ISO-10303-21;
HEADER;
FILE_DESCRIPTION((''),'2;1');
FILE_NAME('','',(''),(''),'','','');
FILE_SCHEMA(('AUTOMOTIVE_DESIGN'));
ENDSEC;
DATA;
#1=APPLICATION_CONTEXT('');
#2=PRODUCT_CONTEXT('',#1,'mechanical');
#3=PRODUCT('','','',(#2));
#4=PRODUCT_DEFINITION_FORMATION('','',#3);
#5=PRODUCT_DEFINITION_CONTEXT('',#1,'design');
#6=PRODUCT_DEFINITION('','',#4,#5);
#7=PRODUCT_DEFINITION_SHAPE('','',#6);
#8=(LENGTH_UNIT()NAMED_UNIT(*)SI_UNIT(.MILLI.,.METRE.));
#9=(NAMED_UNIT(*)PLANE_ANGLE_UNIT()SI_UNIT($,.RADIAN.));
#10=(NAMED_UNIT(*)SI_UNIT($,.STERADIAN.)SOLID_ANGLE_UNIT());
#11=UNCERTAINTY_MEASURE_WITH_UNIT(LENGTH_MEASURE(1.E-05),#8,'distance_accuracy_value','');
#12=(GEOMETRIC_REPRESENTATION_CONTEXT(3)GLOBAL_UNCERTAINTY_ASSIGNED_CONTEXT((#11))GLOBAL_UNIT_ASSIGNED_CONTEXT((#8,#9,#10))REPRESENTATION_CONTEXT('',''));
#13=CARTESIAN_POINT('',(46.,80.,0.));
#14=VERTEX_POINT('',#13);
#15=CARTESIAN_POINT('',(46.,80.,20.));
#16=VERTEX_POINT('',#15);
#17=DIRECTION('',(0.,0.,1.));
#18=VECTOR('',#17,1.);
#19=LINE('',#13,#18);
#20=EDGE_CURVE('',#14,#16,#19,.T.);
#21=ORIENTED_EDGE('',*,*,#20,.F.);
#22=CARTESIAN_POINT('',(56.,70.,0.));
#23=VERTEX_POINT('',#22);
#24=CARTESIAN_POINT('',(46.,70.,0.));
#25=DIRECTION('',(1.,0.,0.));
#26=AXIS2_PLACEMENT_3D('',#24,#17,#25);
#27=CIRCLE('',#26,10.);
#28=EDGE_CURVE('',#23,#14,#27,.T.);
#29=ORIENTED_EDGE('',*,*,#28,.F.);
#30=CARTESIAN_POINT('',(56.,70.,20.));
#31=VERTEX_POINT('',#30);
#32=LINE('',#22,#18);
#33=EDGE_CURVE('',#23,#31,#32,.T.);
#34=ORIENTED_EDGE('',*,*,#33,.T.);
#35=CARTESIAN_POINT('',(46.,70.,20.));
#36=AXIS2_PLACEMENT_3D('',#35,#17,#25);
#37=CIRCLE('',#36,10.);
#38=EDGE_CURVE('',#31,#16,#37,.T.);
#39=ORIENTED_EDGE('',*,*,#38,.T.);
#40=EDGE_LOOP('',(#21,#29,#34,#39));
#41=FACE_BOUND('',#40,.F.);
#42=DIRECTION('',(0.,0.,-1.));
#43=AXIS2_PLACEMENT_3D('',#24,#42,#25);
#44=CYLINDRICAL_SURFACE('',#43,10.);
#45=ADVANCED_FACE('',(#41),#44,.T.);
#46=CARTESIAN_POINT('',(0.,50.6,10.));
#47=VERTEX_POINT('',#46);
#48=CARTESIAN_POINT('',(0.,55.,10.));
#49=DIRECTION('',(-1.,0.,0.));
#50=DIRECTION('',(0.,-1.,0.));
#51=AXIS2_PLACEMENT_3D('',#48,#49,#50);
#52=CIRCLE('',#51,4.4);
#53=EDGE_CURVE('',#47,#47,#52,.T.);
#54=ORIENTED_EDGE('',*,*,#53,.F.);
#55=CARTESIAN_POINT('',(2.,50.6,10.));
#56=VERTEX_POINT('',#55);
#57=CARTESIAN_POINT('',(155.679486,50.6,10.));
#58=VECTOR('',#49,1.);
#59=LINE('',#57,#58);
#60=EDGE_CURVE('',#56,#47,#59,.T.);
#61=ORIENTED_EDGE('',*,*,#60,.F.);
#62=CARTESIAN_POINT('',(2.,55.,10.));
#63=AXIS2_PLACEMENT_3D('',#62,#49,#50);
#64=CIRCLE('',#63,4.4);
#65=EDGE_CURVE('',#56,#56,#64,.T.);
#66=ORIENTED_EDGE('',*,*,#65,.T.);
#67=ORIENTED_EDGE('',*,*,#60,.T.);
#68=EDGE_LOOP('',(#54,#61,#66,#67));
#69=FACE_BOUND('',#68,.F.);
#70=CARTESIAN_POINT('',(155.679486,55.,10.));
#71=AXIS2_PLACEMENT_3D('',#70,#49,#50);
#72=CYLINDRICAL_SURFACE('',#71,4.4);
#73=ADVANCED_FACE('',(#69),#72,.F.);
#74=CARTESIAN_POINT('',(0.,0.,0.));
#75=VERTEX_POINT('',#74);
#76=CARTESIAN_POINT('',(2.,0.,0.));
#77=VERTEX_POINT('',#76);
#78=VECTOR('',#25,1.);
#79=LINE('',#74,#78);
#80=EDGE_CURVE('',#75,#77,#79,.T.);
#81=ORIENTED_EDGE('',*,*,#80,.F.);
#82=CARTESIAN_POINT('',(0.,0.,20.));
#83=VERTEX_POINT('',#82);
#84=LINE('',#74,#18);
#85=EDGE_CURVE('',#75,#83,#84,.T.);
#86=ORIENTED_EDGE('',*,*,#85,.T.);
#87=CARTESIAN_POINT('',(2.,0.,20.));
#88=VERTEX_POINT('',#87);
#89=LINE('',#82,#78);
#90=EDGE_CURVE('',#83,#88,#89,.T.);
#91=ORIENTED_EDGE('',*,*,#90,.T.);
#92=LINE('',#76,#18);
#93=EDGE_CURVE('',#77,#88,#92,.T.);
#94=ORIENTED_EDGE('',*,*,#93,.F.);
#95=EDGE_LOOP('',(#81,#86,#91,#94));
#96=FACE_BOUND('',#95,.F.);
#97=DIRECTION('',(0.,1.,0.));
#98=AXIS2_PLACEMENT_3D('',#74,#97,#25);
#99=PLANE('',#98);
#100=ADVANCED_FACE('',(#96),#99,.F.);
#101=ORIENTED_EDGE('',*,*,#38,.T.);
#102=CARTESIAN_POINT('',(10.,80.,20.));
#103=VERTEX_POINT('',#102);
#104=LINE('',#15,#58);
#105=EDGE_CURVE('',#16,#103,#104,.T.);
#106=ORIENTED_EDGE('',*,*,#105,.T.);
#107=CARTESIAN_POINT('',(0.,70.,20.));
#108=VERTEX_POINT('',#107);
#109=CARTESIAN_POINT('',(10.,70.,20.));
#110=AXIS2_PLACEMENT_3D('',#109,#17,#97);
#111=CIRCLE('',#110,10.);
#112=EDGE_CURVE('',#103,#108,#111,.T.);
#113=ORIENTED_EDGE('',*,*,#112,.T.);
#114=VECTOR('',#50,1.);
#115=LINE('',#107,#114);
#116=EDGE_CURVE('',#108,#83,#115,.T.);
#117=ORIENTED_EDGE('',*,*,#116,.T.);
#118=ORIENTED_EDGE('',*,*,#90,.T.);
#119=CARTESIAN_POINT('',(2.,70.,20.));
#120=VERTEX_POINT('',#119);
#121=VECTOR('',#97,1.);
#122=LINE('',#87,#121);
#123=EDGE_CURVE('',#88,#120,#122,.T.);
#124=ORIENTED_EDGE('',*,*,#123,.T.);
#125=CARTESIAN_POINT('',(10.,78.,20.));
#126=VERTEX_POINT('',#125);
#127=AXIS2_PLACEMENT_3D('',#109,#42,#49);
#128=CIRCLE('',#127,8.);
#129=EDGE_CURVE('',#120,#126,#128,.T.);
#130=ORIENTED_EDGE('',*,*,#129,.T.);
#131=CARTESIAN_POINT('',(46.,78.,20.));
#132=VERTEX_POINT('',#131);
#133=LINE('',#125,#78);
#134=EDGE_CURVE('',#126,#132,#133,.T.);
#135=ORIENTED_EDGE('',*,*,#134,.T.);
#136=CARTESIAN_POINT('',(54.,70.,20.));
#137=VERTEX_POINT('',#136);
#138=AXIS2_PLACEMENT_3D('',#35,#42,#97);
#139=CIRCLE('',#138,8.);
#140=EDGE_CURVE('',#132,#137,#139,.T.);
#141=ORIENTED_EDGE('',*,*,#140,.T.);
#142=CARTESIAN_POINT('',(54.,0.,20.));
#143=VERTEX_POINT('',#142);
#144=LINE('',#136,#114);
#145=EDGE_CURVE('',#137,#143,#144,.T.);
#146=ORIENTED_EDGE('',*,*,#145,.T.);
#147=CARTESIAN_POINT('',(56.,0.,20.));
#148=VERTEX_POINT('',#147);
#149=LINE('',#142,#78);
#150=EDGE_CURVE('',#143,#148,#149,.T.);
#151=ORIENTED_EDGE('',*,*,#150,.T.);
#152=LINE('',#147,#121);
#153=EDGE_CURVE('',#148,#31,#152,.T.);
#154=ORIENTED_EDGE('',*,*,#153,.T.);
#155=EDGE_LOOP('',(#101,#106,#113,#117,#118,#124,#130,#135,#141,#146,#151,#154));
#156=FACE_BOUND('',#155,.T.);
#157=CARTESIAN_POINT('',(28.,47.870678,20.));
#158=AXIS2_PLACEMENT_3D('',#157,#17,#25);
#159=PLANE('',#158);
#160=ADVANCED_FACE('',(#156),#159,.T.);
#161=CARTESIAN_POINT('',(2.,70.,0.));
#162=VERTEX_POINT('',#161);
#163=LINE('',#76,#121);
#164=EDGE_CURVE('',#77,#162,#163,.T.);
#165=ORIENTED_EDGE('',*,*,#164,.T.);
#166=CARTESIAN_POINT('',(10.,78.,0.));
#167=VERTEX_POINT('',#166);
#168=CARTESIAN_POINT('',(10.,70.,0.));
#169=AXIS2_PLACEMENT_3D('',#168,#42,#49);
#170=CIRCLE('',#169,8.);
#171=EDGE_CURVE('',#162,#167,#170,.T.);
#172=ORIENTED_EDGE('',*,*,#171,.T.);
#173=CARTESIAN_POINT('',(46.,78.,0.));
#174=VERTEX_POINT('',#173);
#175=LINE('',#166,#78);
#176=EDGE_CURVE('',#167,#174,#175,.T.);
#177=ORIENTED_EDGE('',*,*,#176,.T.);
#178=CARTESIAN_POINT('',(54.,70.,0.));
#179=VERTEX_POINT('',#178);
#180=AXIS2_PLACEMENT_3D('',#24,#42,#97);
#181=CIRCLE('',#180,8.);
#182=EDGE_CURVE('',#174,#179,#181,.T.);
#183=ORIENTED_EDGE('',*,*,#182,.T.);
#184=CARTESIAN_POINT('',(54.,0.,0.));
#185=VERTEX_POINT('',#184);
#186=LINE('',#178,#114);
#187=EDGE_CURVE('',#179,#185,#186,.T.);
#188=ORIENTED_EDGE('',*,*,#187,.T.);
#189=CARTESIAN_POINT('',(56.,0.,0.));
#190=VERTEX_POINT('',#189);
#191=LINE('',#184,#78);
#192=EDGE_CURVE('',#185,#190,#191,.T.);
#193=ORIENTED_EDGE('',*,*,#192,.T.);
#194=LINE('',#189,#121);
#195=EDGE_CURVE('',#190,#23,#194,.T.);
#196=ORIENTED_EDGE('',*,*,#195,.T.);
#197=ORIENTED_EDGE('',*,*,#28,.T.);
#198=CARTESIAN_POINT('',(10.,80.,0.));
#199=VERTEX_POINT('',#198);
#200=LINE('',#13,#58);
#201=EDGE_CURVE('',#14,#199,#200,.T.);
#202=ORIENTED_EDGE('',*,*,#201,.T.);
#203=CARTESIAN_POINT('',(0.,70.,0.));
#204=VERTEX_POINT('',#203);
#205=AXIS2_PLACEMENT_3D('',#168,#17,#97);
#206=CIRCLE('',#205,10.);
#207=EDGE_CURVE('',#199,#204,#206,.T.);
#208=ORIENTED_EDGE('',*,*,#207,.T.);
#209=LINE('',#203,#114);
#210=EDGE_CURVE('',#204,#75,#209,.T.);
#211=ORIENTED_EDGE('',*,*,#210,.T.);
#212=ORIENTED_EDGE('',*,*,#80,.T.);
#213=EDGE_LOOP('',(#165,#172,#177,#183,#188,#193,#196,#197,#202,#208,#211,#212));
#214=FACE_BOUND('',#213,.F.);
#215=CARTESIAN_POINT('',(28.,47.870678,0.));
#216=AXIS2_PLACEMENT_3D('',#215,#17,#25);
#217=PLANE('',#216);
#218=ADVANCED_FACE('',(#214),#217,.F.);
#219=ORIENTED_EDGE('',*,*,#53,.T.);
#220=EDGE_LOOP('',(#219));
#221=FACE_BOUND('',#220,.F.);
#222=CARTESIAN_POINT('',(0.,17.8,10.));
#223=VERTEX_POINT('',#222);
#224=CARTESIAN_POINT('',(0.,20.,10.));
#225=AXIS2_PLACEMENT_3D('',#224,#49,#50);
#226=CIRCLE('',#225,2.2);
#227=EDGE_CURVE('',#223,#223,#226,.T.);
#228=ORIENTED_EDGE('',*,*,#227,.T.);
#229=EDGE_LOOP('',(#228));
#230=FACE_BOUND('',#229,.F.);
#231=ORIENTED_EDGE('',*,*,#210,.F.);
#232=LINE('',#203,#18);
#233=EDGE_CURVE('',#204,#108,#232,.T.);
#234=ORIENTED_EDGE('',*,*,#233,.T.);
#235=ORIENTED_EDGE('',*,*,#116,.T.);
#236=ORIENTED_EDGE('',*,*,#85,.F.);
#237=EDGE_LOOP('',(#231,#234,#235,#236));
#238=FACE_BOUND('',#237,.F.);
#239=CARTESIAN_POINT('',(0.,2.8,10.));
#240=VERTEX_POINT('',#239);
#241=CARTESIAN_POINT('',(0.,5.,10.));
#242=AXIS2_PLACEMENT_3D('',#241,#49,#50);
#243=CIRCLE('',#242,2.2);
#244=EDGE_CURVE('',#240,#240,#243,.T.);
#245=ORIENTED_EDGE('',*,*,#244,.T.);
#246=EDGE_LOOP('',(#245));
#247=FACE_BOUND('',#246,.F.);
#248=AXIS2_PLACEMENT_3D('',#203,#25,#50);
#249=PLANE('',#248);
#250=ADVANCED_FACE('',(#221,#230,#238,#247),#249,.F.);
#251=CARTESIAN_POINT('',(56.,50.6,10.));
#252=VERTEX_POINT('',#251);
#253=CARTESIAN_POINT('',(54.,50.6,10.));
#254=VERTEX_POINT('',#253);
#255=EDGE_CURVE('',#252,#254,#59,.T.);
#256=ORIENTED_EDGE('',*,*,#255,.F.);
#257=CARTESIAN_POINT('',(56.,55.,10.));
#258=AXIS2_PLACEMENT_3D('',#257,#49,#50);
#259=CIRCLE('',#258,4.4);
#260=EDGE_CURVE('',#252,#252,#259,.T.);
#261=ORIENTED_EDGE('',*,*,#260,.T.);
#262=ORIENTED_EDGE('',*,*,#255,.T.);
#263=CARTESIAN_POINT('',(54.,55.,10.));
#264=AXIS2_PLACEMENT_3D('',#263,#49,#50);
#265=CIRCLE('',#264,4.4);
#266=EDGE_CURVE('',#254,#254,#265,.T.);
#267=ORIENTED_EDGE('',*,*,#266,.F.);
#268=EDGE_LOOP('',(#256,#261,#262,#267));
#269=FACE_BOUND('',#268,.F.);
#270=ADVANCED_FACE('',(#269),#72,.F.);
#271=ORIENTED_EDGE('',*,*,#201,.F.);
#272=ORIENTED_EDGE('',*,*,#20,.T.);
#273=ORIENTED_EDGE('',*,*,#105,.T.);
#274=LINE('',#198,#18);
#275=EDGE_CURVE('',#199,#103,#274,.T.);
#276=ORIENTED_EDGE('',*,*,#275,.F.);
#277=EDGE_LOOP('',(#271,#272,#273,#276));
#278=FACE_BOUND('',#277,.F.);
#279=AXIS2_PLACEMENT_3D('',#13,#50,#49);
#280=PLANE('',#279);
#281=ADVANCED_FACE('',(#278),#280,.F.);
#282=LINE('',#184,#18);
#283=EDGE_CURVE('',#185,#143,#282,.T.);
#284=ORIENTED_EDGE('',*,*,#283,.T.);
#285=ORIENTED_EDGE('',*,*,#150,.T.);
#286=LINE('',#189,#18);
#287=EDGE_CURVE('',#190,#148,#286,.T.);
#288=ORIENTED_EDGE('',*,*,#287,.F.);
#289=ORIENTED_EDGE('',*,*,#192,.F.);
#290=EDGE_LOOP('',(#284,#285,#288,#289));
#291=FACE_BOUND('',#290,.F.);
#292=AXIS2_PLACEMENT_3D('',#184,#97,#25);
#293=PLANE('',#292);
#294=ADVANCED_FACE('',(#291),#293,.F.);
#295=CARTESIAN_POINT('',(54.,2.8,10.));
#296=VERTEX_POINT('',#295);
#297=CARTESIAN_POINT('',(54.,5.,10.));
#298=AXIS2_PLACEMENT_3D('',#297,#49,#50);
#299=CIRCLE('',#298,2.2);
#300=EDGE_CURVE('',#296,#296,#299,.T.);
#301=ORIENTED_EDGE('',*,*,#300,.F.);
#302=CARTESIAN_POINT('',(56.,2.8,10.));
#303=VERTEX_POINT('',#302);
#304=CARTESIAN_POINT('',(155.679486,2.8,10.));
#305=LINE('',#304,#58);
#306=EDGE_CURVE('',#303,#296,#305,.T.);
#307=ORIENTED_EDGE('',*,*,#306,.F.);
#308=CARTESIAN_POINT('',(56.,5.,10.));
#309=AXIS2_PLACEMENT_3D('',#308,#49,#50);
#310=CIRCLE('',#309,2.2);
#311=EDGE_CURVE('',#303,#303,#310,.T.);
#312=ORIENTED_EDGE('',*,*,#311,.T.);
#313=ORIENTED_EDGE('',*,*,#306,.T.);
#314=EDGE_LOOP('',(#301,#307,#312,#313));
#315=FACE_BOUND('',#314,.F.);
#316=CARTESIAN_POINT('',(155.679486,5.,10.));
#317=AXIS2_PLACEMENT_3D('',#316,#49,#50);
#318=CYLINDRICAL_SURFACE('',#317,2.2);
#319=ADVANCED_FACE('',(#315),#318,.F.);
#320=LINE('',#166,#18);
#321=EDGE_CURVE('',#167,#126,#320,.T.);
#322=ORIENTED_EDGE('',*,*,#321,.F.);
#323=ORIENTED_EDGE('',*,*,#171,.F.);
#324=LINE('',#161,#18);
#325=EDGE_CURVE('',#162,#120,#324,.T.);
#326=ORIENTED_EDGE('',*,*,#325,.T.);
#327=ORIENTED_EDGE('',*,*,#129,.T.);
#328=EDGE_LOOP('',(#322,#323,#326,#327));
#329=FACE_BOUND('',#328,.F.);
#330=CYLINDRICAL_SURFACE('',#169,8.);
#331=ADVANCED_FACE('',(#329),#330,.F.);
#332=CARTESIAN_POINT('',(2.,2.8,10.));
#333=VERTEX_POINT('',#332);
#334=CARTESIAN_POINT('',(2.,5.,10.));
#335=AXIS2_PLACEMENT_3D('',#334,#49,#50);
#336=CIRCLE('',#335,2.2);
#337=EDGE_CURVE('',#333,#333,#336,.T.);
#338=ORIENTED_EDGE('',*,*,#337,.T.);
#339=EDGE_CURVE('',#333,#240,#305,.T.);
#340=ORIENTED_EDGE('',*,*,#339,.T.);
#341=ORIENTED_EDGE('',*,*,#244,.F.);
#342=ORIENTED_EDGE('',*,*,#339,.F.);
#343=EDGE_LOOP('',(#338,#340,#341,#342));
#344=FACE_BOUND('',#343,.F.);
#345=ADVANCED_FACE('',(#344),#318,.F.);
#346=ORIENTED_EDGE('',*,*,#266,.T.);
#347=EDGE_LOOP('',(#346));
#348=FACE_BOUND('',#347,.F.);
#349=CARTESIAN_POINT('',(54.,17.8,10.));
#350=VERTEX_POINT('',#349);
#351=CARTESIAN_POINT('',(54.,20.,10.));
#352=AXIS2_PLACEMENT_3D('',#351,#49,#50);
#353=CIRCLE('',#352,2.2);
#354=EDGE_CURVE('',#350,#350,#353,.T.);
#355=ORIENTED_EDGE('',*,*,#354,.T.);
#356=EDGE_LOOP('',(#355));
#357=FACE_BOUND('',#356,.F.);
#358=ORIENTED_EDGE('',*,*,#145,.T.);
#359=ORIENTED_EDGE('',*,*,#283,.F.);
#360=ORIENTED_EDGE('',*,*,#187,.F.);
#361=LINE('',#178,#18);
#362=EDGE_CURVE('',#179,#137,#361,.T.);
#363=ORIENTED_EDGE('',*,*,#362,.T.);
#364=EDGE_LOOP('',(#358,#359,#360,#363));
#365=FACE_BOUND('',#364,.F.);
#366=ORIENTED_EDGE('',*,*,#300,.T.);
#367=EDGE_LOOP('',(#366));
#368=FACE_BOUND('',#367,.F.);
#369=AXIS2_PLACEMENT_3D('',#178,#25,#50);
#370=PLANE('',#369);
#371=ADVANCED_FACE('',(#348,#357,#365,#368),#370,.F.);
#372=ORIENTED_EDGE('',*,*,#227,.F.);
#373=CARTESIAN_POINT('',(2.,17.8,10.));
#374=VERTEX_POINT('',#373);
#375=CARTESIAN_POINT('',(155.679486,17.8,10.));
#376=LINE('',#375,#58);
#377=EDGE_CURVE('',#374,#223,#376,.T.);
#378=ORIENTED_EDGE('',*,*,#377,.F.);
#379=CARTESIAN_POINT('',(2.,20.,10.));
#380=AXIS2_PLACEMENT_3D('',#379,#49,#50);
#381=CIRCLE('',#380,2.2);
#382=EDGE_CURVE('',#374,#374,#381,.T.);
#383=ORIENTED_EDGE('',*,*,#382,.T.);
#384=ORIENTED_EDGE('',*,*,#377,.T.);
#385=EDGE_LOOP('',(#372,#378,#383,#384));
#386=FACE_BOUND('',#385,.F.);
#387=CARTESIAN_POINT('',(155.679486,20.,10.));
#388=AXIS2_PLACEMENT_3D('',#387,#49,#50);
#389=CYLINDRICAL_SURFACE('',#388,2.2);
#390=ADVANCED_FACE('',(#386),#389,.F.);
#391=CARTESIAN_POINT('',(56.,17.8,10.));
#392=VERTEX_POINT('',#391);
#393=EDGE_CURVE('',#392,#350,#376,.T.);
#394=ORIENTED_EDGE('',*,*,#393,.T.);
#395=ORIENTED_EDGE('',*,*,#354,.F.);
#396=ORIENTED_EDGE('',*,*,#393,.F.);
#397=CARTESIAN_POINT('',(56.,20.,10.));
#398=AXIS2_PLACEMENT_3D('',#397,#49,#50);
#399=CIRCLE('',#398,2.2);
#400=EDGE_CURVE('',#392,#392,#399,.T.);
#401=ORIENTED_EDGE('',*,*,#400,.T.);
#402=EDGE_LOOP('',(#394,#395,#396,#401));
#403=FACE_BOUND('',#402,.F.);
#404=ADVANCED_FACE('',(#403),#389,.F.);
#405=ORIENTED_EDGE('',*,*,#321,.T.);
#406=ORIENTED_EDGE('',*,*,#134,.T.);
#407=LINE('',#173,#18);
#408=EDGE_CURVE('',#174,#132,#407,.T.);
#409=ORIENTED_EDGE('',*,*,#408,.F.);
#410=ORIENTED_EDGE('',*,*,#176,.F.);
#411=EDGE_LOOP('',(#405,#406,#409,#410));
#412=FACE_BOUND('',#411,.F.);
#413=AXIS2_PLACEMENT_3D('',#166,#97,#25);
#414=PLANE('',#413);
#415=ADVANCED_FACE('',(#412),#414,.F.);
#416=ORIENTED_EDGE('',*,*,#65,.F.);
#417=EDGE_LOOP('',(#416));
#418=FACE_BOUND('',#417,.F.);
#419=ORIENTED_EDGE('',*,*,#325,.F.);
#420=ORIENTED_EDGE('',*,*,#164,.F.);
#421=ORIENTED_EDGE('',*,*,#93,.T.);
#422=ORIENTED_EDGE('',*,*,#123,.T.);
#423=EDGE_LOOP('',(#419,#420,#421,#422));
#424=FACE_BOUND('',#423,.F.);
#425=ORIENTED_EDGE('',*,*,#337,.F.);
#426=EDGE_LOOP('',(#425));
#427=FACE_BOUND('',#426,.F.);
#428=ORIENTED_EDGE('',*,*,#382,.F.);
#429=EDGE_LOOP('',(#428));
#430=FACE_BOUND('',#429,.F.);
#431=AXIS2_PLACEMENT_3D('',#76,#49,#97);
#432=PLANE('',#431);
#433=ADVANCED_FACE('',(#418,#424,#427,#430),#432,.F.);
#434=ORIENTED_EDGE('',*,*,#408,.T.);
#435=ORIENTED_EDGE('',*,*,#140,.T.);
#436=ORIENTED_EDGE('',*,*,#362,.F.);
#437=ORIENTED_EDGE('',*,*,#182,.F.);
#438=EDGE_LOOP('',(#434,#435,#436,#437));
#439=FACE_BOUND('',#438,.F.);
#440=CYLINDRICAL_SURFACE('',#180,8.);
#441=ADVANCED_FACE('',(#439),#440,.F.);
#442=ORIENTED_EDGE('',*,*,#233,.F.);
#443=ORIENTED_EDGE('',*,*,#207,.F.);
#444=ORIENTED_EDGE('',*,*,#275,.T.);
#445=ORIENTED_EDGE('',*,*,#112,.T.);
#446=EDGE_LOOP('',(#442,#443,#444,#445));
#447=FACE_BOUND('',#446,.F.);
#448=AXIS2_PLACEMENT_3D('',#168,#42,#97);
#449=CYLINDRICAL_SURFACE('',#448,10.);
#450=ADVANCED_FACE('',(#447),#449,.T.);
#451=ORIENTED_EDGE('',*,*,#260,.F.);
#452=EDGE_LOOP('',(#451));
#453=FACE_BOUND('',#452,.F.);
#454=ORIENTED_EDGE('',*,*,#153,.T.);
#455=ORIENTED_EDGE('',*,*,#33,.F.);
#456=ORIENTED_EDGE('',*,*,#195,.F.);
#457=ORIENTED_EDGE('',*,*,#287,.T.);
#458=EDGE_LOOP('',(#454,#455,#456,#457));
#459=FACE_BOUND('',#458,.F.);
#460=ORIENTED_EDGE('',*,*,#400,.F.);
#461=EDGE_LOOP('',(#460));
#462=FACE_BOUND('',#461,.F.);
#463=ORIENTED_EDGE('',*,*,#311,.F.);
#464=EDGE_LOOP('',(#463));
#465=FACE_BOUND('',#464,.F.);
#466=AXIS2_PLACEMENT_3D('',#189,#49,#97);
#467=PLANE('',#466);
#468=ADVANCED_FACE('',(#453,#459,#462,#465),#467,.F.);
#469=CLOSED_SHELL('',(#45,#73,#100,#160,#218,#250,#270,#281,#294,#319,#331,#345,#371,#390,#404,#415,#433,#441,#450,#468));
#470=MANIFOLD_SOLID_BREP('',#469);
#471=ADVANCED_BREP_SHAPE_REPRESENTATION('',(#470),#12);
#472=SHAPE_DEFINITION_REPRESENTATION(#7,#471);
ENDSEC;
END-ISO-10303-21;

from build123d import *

# Parameters (mm, degrees)
F1_DEPTH = 20
F3_D     = 8.8
F5_D     = 4.4


with BuildPart() as f1:
    # F0 (on Top) → F1 (new body)
    with BuildSketch(Plane.XY):
        with BuildLine():
            Line((0, 70), (0, 0))
            Line((0, 0), (2, 0))
            Line((2, 0), (2, 70))
            ThreePointArc((2, 70), (4.3431457505, 75.6568542495), (10, 78))
            Line((10, 78), (46, 78))
            ThreePointArc((46, 78), (51.6568542495, 75.6568542495), (54, 70))
            Line((54, 70), (54, 0))
            Line((54, 0), (56, 0))
            Line((56, 0), (56, 70))
            ThreePointArc((56, 70), (53.0710678119, 77.0710678119), (46, 80))
            Line((46, 80), (10, 80))
            ThreePointArc((10, 80), (2.9289321881, 77.0710678119), (0, 70))
        make_face()
    extrude(amount=F1_DEPTH)

    # F3 (through all)
    with Locations(Plane.YZ.offset(56)):
        with Locations((55, 10)):
            Hole(F3_D / 2)

    # F5 (through all)
    with Locations(Plane.YZ.offset(56)):
        with Locations((5, 10), (20, 10)):
            Hole(F5_D / 2)


solid = f1.part
